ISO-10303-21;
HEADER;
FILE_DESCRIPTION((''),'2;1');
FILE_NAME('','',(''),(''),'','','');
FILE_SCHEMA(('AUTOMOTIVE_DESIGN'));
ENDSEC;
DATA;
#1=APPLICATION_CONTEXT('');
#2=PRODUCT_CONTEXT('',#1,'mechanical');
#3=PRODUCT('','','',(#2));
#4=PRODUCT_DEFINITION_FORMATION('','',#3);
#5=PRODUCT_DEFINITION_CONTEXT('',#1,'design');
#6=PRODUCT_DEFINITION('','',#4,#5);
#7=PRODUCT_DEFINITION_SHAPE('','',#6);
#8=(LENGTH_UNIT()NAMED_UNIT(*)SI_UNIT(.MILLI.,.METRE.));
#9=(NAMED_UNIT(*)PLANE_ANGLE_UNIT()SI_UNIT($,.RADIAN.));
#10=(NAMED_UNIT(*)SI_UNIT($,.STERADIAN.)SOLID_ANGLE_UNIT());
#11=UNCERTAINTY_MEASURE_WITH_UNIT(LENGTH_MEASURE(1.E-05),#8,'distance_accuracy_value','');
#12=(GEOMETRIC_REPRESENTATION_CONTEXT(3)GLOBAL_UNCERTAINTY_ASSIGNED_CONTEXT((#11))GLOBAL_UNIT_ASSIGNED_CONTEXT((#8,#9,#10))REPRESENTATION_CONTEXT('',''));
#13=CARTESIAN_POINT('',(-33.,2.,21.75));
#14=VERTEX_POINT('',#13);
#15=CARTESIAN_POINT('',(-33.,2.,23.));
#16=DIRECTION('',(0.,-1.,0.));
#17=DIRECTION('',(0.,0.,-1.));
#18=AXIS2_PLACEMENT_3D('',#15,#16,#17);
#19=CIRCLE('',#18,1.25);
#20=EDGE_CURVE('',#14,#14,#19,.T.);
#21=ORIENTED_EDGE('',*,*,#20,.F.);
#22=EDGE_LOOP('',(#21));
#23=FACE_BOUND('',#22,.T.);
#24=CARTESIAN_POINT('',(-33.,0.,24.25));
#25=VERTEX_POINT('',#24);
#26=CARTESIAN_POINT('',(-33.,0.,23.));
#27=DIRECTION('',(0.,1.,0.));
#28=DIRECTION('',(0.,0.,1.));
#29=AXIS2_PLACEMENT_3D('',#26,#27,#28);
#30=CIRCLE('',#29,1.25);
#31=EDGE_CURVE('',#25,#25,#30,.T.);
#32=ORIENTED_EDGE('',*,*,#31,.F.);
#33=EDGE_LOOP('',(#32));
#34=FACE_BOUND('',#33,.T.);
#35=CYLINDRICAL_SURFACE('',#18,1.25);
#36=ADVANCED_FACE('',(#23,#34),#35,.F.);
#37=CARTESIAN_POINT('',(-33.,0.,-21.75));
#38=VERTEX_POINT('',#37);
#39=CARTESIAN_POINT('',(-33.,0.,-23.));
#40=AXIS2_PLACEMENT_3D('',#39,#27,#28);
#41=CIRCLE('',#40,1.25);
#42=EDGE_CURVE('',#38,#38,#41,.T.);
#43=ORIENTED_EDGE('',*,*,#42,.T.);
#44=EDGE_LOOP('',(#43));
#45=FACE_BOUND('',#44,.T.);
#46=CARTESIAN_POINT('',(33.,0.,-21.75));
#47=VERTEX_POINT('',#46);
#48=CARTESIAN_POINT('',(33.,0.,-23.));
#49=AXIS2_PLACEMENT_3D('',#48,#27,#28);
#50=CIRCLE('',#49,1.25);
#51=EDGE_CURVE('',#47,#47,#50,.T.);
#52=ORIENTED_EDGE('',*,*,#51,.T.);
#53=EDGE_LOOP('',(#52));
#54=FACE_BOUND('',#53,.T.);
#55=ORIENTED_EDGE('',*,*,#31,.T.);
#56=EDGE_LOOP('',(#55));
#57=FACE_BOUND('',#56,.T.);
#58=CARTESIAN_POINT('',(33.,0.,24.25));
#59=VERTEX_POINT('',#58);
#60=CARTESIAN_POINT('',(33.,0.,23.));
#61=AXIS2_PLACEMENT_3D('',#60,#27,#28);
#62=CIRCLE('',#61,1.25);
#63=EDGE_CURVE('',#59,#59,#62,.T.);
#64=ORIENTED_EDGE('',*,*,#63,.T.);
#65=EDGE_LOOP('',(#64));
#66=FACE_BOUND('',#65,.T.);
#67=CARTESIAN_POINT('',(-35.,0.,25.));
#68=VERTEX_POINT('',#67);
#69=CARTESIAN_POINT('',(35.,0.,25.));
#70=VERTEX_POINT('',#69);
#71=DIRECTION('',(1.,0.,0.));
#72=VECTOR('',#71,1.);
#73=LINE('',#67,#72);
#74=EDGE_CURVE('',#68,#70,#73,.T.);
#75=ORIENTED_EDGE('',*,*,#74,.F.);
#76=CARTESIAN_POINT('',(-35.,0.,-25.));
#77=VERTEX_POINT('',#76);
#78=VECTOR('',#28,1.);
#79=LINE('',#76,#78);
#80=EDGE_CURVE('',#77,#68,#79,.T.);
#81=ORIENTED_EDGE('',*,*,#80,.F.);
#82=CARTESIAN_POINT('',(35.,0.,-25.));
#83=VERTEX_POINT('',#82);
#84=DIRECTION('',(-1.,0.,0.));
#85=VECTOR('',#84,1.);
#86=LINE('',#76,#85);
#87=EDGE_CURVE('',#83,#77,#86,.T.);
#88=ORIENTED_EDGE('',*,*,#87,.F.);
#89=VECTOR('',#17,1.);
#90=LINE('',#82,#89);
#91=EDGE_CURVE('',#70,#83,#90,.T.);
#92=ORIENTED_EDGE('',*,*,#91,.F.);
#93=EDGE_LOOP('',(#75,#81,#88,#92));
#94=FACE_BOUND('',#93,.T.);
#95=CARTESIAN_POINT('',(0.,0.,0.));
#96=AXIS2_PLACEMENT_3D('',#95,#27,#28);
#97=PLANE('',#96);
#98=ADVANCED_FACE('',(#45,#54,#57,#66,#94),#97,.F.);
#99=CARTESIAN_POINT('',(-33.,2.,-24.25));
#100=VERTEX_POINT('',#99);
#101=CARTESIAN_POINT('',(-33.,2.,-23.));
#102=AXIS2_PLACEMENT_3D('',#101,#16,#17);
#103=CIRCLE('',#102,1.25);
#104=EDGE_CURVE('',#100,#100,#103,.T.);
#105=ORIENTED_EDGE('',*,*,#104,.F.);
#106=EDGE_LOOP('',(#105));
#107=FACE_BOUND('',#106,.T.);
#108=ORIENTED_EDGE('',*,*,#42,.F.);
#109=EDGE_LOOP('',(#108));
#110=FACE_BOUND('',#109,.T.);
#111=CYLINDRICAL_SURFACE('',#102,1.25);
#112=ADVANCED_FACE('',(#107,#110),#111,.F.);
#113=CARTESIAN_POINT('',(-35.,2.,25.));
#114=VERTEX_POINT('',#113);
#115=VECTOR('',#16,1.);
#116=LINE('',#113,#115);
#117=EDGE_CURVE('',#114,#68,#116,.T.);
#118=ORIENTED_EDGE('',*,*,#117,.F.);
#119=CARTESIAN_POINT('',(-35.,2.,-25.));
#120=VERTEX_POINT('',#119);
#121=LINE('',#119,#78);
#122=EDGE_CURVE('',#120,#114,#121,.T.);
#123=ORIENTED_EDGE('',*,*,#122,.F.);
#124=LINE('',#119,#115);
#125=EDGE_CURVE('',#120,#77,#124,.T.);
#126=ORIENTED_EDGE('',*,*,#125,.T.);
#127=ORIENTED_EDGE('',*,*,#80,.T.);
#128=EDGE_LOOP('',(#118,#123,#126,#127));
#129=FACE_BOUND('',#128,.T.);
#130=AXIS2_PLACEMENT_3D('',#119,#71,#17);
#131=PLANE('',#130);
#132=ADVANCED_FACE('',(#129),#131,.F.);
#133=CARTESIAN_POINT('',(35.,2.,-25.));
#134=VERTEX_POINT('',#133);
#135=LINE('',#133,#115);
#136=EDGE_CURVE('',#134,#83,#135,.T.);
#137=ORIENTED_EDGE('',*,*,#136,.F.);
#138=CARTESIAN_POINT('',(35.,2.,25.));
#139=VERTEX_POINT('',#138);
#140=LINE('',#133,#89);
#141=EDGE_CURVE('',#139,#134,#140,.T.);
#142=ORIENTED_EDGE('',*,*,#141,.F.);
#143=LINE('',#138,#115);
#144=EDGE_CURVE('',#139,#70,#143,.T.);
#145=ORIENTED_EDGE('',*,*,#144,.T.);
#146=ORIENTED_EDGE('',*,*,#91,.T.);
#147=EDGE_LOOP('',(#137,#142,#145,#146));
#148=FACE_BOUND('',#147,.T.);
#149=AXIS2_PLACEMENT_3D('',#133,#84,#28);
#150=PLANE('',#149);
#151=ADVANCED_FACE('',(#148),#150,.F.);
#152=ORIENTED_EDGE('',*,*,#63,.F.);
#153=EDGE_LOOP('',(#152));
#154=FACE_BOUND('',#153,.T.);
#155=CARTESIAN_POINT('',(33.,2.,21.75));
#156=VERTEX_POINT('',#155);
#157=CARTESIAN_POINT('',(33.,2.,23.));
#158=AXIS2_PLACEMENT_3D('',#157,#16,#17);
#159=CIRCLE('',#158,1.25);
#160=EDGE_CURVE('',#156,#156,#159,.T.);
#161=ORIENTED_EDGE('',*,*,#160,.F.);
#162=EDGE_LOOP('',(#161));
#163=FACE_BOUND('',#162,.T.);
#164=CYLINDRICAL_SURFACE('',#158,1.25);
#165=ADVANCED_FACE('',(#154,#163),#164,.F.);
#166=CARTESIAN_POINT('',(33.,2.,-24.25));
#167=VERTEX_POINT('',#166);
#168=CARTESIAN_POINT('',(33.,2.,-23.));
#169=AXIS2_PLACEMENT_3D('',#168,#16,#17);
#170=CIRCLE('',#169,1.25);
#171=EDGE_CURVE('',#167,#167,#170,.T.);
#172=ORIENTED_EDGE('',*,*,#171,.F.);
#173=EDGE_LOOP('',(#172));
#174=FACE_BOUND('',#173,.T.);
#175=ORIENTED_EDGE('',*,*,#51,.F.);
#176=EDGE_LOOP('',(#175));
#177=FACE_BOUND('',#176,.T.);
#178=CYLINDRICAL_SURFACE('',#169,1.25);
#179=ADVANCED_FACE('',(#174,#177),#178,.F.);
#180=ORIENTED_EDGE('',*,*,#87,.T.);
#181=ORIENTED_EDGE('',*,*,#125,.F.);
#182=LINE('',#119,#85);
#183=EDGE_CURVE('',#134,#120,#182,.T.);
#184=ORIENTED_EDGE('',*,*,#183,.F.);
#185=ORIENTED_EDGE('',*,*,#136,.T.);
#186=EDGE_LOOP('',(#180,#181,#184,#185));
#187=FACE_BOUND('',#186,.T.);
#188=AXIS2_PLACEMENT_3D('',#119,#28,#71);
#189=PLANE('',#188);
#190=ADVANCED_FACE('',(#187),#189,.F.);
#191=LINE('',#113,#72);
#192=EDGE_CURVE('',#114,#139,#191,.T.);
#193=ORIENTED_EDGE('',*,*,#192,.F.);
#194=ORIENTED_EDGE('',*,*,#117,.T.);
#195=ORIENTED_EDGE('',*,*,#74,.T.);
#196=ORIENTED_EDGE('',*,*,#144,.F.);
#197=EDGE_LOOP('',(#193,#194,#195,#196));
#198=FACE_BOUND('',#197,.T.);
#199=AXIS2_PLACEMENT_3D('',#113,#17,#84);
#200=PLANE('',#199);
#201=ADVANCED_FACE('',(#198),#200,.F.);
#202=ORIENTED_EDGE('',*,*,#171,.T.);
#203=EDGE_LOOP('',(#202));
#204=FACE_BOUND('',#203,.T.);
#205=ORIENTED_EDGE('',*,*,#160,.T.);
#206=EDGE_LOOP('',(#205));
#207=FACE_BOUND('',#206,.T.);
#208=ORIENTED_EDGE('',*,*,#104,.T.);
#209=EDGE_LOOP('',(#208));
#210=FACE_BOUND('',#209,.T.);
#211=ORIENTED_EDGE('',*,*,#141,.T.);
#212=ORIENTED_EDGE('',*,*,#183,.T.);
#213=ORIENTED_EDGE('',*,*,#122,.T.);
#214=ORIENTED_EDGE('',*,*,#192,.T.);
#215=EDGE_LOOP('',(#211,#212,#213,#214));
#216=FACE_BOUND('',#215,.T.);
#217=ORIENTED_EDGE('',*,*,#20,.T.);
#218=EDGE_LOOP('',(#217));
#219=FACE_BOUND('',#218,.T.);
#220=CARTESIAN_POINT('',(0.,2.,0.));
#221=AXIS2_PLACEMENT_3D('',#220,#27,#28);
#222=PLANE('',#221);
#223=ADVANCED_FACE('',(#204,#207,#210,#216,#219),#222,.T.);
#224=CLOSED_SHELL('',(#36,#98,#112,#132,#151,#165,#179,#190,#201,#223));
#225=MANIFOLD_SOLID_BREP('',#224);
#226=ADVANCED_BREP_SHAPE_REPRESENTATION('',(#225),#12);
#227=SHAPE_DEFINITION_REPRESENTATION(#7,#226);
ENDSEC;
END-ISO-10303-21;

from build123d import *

# Parameters (mm, degrees)
SKETCH1_W               = 70
SKETCH1_H               = 50
BOSS_EXTRUDE1_DEPTH     = 2
CUT_EXTRUDE1_DEPTH      = 44.058100283
CUT_EXTRUDE1_DEPTH_BACK = 44.058100283
SKETCH2_R               = 1.25


with BuildPart() as part:
    # Sketch1 → Boss-Extrude1 (new body)
    with BuildSketch(Plane(origin=(0, 0, 0), x_dir=(1, 0, 0), z_dir=(0, 1, 0))):
        Rectangle(SKETCH1_W, SKETCH1_H)
    extrude(amount=BOSS_EXTRUDE1_DEPTH)

    # Sketch2 → Cut-Extrude1 (cut, two sides: drawn at the far end of the back side and taken through both)
    with BuildSketch(Plane.XZ.offset(-CUT_EXTRUDE1_DEPTH_BACK)):
        with Locations(Location((-33, 23, 0), (0, 0, 270))):
            Circle(SKETCH2_R)
        with Locations(Location((33, 23, 0), (0, 0, 270))):
            Circle(SKETCH2_R)
        with Locations(Location((33, -23, 0), (0, 0, 270))):
            Circle(SKETCH2_R)
        with Locations(Location((-33, -23, 0), (0, 0, 270))):
            Circle(SKETCH2_R)
    extrude(amount=CUT_EXTRUDE1_DEPTH + CUT_EXTRUDE1_DEPTH_BACK, mode=Mode.SUBTRACT)


solid = part.part
